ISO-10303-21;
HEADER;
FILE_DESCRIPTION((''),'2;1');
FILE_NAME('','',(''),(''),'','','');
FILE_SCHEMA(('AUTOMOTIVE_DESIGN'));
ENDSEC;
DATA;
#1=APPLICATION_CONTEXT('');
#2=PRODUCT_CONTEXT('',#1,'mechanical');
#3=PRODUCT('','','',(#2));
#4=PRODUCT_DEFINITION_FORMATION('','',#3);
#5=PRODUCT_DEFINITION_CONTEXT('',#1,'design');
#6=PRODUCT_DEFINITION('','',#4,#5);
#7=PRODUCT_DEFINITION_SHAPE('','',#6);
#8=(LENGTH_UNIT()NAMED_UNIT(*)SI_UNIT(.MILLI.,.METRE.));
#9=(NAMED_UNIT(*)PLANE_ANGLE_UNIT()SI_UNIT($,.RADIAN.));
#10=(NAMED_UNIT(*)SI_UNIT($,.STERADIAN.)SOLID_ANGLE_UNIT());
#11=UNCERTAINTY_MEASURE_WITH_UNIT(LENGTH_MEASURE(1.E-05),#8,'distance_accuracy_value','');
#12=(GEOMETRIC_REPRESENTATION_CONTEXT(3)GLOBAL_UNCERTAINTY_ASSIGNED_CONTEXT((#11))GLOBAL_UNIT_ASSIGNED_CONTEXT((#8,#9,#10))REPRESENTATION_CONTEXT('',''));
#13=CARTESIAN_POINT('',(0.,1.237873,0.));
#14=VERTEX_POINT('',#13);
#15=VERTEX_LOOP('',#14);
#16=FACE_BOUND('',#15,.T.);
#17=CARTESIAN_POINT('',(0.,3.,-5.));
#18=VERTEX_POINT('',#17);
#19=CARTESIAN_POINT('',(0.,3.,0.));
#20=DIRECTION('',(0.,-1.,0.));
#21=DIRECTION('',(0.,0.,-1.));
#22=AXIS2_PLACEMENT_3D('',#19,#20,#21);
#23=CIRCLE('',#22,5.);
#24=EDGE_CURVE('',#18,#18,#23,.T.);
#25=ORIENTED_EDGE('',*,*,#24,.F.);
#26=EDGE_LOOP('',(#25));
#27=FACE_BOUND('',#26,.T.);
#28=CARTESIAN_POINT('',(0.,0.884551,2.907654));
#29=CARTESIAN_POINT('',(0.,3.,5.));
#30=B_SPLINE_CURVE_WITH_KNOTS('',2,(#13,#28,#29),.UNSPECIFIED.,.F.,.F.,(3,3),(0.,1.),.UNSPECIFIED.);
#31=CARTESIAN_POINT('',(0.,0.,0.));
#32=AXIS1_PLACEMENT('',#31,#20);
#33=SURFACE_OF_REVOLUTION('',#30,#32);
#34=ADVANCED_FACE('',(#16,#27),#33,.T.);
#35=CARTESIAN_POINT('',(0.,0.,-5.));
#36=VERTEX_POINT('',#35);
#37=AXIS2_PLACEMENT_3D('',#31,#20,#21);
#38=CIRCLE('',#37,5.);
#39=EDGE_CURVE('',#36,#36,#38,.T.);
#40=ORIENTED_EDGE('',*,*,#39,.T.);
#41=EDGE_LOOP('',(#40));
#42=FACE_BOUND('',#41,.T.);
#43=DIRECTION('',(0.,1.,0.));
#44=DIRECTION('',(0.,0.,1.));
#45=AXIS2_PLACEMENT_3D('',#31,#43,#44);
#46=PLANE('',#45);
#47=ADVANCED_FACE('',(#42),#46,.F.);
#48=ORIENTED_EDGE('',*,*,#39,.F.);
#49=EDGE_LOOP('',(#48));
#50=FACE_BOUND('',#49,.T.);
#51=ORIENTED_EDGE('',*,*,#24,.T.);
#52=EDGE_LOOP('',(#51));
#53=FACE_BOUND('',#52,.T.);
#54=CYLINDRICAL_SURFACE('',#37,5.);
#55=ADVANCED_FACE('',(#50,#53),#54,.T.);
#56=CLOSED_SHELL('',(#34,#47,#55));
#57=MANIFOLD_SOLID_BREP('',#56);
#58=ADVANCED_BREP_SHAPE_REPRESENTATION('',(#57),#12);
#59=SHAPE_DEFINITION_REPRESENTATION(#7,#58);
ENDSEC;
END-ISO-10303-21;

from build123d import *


with BuildPart() as part:
    # Sketch1 → Revolve1 (revolve)
    with BuildSketch(Plane(origin=(0, 0, 0), x_dir=(0, 0, -1), z_dir=(1, 0, 0)), mode=Mode.PRIVATE) as revolve1_sk:
        with BuildLine():
            Line((0, 0), (-5, 0))
            Line((-5, 0), (-5, 3))
            add(Edge.make_bspline(
                [(-5, 3), (-2.907653993, 0.884550938), (0, 1.237872987)],
                knots=[0, 0, 0, 1, 1, 1], degree=2))
            Line((0, 1.237872987), (0, 0))
        make_face()
    revolve(revolve1_sk.sketch.rotate(Axis((0, 0, 0), (0, 1, 0)), 180), axis=Axis((0, 0, 0), (0, 1, 0)))


solid = part.part
